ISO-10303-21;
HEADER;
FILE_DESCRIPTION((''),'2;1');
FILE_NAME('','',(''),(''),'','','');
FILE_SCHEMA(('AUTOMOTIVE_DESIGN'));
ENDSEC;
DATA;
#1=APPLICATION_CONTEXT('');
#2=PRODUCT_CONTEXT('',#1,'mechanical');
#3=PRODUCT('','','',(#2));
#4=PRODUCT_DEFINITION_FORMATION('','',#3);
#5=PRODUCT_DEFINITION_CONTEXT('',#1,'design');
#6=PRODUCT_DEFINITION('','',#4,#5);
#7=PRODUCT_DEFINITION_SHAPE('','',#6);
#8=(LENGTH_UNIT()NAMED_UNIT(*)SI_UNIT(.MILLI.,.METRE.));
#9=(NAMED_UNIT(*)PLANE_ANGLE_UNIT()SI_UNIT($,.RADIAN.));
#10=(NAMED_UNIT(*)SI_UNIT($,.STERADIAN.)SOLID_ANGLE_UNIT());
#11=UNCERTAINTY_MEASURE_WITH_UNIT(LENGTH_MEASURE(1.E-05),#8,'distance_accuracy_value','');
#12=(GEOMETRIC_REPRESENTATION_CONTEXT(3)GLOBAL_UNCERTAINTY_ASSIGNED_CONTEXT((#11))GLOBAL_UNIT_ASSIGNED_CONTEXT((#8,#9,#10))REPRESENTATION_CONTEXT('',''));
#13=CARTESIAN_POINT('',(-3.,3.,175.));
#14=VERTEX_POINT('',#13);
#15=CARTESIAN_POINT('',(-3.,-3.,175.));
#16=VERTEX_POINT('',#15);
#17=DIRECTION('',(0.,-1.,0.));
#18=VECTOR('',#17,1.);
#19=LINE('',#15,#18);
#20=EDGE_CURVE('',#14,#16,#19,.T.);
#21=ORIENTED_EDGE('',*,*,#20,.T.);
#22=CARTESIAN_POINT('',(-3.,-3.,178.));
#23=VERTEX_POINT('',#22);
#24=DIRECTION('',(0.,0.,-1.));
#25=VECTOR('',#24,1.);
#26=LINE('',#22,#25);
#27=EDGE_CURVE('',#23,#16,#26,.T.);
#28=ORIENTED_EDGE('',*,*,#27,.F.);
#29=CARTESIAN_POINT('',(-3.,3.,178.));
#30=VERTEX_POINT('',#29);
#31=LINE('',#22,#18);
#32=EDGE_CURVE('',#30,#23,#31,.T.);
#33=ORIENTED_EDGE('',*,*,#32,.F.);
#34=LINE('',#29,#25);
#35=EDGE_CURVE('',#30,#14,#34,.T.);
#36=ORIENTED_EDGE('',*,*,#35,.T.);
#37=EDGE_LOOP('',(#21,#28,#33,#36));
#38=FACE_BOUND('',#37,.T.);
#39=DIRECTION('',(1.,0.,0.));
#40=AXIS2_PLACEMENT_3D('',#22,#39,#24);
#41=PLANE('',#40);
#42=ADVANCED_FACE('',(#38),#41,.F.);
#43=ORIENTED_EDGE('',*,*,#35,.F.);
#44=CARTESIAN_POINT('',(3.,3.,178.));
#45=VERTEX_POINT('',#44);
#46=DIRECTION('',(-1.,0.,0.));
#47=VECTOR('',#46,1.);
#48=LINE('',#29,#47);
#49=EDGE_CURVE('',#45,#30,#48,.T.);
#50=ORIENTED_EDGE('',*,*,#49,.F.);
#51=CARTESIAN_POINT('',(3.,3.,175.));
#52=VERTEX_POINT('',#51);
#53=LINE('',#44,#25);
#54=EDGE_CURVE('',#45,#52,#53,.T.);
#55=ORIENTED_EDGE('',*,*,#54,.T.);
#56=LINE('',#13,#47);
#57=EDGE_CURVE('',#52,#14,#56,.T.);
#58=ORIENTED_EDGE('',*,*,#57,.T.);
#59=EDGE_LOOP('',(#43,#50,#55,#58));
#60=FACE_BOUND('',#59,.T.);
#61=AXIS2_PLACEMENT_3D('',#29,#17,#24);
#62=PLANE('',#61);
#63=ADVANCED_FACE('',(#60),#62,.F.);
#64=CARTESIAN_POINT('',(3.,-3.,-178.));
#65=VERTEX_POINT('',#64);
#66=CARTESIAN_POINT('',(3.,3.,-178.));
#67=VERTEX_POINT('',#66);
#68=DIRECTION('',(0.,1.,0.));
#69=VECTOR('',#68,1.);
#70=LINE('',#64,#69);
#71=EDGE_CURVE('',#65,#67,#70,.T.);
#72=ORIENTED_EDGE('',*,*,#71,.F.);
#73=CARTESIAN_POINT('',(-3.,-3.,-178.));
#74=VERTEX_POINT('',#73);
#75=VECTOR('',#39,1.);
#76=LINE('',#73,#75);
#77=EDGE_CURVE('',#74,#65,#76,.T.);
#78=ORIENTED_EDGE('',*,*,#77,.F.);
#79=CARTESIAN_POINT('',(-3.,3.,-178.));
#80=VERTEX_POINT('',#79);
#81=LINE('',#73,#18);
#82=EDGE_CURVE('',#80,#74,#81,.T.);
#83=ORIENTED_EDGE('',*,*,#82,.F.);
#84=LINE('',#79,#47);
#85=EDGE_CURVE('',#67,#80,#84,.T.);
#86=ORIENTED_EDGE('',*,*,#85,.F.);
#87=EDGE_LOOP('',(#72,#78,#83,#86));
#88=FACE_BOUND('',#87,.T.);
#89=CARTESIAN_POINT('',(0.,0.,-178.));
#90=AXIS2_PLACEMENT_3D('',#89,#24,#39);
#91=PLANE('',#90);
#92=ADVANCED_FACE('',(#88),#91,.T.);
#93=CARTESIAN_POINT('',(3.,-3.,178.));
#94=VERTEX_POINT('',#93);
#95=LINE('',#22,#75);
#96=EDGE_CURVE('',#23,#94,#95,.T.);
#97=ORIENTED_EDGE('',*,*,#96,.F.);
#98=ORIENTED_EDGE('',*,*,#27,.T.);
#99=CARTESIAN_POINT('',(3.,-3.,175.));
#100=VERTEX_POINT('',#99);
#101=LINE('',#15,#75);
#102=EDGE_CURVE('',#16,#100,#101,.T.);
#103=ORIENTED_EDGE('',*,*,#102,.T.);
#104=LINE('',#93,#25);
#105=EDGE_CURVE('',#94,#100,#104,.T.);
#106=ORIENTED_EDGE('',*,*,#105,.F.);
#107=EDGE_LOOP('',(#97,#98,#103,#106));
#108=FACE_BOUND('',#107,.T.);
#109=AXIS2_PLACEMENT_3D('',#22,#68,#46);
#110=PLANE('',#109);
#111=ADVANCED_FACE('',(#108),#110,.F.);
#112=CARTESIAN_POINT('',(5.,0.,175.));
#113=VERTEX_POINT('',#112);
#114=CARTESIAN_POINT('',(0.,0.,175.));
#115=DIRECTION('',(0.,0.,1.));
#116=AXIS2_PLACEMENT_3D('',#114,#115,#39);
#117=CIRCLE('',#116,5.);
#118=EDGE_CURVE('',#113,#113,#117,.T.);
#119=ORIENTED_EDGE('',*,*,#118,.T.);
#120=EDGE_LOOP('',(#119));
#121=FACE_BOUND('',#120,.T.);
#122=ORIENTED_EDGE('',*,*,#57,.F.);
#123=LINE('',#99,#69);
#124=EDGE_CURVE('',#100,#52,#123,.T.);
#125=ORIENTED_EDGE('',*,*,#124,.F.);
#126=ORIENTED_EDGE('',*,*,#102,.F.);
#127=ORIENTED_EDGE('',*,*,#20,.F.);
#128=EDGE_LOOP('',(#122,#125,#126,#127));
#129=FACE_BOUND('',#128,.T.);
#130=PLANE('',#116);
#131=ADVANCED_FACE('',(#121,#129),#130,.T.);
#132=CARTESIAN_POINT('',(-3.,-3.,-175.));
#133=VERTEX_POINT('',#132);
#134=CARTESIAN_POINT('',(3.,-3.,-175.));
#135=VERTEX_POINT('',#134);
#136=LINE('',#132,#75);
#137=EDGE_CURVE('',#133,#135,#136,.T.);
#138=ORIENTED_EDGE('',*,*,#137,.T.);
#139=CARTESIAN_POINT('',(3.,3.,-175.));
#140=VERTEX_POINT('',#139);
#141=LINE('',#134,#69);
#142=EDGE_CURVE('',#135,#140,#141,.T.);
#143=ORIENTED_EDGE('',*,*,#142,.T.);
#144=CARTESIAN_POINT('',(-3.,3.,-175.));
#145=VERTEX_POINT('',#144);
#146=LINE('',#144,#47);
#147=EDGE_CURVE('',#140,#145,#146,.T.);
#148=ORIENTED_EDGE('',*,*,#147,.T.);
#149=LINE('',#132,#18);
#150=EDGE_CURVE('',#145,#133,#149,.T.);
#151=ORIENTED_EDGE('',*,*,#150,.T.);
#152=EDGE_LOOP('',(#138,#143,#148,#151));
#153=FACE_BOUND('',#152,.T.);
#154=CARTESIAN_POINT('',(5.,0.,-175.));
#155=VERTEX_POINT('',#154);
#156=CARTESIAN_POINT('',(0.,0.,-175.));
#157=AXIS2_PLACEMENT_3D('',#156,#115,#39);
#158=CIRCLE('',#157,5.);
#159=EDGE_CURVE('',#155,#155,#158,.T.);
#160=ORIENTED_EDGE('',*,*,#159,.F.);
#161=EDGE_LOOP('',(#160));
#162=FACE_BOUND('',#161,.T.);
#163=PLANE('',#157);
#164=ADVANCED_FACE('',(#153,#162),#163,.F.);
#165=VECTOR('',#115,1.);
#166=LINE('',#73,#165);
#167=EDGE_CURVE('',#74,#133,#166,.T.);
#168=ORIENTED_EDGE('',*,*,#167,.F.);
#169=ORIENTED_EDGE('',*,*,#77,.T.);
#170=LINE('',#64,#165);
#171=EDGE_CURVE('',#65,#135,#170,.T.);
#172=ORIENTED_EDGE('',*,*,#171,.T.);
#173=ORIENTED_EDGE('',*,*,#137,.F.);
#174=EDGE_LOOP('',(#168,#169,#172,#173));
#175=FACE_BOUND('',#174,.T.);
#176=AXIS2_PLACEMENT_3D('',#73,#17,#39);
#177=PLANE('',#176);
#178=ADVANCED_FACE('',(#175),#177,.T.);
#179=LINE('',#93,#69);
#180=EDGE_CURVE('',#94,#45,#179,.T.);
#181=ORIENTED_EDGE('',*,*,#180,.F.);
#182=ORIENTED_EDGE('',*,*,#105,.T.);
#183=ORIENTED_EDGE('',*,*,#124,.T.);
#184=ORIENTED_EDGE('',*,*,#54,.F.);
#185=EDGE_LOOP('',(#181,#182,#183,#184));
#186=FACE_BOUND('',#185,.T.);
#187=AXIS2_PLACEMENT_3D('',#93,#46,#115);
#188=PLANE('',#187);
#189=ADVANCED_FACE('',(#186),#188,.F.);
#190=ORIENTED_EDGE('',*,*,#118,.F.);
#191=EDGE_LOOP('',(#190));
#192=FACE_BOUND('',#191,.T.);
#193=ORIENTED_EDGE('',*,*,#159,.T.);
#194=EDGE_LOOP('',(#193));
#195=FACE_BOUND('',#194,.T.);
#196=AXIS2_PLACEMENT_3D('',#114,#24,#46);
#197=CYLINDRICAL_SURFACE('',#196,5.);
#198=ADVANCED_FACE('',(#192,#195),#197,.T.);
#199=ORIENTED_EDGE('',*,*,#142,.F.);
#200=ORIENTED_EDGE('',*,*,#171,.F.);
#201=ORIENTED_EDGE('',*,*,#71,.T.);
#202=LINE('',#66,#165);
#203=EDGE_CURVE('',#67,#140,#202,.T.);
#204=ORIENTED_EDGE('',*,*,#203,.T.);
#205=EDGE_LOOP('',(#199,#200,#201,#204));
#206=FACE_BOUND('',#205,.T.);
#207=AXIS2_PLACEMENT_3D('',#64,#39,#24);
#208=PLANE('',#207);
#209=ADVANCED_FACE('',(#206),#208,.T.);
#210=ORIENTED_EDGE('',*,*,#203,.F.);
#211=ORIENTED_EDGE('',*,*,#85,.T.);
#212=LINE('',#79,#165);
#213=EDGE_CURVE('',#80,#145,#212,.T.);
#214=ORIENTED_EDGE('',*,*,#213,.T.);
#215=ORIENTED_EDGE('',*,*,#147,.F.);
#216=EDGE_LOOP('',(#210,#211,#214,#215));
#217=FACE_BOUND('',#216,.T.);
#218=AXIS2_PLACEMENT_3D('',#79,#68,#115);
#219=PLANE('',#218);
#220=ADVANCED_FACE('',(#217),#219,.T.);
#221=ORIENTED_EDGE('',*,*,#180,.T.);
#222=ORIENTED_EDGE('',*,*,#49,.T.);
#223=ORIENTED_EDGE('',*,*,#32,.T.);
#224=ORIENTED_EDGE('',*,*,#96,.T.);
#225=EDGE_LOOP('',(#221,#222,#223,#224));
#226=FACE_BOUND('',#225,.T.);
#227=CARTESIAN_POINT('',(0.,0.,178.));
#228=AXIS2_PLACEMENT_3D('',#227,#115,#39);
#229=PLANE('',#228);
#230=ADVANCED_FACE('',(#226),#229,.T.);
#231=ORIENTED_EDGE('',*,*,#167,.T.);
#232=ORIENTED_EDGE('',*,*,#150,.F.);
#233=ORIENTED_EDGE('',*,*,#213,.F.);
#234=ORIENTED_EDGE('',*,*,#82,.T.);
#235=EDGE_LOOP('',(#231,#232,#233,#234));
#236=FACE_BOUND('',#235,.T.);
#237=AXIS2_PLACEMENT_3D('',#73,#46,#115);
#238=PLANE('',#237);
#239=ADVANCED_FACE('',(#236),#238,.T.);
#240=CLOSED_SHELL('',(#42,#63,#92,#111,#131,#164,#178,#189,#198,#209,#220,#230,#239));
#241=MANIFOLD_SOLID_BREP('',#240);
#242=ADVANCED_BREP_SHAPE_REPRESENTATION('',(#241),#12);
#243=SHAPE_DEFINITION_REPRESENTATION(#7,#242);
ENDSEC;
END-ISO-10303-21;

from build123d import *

# Parameters (mm, degrees)
SKETCH1_R           = 5
BOSS_EXTRUDE1_DEPTH = 175
SKETCH2_W           = 6
SKETCH2_H           = 6
BOSS_EXTRUDE2_DEPTH = 3


with BuildPart() as part:
    # Sketch1 → Boss-Extrude1 (new, symmetric)
    with BuildSketch(Plane.XY):
        Circle(SKETCH1_R)
    extrude(amount=BOSS_EXTRUDE1_DEPTH, both=True)

    # Sketch2 → Boss-Extrude2 (add)
    with BuildSketch(Plane.XY.offset(175)):
        Rectangle(SKETCH2_W, SKETCH2_H)
    boss_extrude2 = extrude(amount=BOSS_EXTRUDE2_DEPTH)

    # Mirror1: Boss-Extrude2 across plane
    add(boss_extrude2.mirror(Plane.XY))


solid = part.part
